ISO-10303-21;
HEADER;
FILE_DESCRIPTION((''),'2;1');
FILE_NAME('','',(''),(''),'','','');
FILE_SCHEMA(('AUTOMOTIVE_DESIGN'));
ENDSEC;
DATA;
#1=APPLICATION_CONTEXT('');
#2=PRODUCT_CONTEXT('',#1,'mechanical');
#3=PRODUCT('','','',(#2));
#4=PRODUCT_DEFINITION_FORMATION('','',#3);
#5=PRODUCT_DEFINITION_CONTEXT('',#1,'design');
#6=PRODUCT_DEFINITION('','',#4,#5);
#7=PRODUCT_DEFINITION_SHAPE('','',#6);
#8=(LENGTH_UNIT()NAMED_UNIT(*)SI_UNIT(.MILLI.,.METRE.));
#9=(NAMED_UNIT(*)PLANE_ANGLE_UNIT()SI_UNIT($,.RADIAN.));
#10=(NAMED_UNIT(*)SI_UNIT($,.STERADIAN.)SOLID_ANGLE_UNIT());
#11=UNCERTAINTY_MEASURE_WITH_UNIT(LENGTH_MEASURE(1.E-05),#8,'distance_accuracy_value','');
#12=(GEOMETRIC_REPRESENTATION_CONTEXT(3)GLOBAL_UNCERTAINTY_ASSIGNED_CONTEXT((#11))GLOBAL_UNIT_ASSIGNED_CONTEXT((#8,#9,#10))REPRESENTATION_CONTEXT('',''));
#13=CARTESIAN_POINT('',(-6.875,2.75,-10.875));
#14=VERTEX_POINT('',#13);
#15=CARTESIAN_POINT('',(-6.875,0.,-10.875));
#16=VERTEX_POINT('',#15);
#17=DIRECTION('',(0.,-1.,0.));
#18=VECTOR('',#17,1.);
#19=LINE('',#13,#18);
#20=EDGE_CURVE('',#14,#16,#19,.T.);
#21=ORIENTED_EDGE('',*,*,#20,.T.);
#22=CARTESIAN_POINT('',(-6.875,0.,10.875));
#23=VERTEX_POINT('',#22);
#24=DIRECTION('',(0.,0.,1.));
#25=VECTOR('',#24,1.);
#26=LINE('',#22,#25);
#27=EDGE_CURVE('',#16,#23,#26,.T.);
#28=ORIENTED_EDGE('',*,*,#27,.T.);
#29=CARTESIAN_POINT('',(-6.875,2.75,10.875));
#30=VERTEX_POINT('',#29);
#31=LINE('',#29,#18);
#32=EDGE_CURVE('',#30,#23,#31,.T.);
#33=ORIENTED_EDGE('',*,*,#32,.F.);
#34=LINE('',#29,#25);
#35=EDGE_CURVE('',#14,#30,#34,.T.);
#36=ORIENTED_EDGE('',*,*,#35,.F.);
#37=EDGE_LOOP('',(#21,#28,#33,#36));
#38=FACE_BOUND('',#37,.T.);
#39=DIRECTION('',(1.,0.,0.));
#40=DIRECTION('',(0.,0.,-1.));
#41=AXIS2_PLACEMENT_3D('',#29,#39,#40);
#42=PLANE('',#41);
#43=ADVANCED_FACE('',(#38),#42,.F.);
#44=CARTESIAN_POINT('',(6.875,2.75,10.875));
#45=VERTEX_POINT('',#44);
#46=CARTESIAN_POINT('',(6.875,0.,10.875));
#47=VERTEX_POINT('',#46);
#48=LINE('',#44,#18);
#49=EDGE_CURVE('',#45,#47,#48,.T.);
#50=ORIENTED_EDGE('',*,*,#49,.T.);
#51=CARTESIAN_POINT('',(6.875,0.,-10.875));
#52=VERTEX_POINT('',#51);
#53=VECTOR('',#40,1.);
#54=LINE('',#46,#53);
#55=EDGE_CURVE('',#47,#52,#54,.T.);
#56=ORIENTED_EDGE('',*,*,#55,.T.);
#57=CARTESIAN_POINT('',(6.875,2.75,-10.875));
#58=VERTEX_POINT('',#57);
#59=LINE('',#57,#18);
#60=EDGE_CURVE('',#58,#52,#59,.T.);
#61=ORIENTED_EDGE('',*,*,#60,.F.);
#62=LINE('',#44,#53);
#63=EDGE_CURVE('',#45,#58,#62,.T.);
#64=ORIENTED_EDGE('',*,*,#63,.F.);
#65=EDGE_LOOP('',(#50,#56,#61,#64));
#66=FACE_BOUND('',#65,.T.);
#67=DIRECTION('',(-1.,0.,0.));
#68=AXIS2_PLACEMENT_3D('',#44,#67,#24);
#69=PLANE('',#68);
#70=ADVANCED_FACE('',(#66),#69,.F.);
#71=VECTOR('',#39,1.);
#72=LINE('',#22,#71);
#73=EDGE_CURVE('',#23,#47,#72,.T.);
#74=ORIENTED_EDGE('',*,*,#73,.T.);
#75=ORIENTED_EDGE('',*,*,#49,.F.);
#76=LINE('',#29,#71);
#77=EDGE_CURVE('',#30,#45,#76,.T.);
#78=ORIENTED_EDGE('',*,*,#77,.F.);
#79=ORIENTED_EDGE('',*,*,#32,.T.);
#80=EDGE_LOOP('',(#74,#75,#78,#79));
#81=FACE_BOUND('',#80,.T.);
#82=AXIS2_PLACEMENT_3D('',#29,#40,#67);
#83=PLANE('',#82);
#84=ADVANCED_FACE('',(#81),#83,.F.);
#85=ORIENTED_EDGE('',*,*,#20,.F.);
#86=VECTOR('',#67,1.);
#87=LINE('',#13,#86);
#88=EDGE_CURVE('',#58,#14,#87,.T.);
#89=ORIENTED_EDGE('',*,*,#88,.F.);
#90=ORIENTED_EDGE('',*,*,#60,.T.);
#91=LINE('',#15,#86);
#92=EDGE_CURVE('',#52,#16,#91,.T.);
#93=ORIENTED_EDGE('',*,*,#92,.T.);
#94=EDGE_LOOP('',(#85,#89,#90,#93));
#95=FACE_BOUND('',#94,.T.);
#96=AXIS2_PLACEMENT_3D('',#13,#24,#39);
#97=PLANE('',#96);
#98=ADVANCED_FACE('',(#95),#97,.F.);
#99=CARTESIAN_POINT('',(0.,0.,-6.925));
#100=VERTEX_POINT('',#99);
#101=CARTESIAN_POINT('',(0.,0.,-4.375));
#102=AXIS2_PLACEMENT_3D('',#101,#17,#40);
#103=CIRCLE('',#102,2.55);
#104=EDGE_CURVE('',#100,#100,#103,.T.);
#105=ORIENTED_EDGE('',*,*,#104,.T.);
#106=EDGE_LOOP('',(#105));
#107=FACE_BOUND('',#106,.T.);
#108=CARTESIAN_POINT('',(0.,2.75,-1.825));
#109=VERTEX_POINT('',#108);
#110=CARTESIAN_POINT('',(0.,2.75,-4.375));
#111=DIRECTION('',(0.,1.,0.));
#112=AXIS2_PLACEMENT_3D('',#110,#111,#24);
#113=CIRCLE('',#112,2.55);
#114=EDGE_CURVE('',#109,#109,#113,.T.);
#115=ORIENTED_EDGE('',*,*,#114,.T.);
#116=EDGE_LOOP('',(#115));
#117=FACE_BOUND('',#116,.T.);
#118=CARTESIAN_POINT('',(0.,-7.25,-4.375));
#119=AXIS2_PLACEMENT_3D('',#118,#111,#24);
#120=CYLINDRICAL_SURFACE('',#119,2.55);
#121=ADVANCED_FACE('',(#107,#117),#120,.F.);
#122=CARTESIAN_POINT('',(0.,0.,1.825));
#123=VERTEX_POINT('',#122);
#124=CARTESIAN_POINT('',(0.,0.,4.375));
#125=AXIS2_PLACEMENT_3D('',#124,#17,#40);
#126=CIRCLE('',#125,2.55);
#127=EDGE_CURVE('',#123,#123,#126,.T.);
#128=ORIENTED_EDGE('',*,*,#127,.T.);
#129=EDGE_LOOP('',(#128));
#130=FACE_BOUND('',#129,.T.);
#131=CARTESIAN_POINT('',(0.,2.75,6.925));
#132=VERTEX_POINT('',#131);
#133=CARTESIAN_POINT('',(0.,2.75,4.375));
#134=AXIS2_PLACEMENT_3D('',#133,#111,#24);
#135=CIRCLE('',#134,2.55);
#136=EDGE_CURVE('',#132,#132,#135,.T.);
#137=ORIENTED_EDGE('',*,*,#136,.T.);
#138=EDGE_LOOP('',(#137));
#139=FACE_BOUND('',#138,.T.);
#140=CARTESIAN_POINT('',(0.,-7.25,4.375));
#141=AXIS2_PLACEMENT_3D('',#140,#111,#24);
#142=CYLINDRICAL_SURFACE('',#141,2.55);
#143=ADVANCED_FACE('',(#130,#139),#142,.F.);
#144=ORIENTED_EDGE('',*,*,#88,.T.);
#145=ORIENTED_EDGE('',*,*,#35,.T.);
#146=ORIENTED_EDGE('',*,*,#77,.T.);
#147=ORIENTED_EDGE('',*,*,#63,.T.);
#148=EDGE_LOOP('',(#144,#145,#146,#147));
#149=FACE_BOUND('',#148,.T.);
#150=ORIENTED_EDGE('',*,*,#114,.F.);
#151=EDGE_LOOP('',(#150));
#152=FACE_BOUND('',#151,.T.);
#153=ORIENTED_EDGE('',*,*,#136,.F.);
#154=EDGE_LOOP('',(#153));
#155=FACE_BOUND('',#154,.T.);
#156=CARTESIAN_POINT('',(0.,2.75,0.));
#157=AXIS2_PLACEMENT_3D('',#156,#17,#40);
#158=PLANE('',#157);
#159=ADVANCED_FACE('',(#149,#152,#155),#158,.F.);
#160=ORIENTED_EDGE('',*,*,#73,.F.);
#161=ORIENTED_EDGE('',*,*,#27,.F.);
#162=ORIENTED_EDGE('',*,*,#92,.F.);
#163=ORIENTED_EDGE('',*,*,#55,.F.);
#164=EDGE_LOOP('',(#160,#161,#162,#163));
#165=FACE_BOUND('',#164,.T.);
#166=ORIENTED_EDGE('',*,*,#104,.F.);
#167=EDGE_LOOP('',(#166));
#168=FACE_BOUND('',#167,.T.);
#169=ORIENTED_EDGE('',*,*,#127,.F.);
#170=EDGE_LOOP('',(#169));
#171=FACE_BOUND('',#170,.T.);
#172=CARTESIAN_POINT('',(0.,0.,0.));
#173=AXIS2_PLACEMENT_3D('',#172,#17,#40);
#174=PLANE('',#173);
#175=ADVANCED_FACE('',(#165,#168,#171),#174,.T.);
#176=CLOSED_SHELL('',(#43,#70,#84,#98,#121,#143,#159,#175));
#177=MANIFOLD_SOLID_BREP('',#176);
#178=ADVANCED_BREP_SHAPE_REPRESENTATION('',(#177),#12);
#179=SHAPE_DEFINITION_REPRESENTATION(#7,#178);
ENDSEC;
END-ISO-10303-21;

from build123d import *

# Parameters (mm, degrees)
SKETCH1_W           = 13.75
SKETCH1_H           = 21.75
BOSS_EXTRUDE1_DEPTH = 2.75
SKETCH2_R           = 2.55
CUT_EXTRUDE1_DEPTH  = 10


with BuildPart() as part:
    # Sketch1 → Boss-Extrude1 (new body)
    with BuildSketch(Plane(origin=(0, 0, 0), x_dir=(1, 0, 0), z_dir=(0, 1, 0))):
        Rectangle(SKETCH1_W, SKETCH1_H)
    extrude(amount=BOSS_EXTRUDE1_DEPTH)

    # Sketch2 → Cut-Extrude1 (cut)
    with BuildSketch(Plane(origin=(0, 2.75, 0), x_dir=(1, 0, 0), z_dir=(0, 1, 0))):
        with Locations((0, 4.375)):
            Circle(SKETCH2_R)
        with Locations((0, -4.375)):
            Circle(SKETCH2_R)
    extrude(amount=-CUT_EXTRUDE1_DEPTH, mode=Mode.SUBTRACT)


solid = part.part
